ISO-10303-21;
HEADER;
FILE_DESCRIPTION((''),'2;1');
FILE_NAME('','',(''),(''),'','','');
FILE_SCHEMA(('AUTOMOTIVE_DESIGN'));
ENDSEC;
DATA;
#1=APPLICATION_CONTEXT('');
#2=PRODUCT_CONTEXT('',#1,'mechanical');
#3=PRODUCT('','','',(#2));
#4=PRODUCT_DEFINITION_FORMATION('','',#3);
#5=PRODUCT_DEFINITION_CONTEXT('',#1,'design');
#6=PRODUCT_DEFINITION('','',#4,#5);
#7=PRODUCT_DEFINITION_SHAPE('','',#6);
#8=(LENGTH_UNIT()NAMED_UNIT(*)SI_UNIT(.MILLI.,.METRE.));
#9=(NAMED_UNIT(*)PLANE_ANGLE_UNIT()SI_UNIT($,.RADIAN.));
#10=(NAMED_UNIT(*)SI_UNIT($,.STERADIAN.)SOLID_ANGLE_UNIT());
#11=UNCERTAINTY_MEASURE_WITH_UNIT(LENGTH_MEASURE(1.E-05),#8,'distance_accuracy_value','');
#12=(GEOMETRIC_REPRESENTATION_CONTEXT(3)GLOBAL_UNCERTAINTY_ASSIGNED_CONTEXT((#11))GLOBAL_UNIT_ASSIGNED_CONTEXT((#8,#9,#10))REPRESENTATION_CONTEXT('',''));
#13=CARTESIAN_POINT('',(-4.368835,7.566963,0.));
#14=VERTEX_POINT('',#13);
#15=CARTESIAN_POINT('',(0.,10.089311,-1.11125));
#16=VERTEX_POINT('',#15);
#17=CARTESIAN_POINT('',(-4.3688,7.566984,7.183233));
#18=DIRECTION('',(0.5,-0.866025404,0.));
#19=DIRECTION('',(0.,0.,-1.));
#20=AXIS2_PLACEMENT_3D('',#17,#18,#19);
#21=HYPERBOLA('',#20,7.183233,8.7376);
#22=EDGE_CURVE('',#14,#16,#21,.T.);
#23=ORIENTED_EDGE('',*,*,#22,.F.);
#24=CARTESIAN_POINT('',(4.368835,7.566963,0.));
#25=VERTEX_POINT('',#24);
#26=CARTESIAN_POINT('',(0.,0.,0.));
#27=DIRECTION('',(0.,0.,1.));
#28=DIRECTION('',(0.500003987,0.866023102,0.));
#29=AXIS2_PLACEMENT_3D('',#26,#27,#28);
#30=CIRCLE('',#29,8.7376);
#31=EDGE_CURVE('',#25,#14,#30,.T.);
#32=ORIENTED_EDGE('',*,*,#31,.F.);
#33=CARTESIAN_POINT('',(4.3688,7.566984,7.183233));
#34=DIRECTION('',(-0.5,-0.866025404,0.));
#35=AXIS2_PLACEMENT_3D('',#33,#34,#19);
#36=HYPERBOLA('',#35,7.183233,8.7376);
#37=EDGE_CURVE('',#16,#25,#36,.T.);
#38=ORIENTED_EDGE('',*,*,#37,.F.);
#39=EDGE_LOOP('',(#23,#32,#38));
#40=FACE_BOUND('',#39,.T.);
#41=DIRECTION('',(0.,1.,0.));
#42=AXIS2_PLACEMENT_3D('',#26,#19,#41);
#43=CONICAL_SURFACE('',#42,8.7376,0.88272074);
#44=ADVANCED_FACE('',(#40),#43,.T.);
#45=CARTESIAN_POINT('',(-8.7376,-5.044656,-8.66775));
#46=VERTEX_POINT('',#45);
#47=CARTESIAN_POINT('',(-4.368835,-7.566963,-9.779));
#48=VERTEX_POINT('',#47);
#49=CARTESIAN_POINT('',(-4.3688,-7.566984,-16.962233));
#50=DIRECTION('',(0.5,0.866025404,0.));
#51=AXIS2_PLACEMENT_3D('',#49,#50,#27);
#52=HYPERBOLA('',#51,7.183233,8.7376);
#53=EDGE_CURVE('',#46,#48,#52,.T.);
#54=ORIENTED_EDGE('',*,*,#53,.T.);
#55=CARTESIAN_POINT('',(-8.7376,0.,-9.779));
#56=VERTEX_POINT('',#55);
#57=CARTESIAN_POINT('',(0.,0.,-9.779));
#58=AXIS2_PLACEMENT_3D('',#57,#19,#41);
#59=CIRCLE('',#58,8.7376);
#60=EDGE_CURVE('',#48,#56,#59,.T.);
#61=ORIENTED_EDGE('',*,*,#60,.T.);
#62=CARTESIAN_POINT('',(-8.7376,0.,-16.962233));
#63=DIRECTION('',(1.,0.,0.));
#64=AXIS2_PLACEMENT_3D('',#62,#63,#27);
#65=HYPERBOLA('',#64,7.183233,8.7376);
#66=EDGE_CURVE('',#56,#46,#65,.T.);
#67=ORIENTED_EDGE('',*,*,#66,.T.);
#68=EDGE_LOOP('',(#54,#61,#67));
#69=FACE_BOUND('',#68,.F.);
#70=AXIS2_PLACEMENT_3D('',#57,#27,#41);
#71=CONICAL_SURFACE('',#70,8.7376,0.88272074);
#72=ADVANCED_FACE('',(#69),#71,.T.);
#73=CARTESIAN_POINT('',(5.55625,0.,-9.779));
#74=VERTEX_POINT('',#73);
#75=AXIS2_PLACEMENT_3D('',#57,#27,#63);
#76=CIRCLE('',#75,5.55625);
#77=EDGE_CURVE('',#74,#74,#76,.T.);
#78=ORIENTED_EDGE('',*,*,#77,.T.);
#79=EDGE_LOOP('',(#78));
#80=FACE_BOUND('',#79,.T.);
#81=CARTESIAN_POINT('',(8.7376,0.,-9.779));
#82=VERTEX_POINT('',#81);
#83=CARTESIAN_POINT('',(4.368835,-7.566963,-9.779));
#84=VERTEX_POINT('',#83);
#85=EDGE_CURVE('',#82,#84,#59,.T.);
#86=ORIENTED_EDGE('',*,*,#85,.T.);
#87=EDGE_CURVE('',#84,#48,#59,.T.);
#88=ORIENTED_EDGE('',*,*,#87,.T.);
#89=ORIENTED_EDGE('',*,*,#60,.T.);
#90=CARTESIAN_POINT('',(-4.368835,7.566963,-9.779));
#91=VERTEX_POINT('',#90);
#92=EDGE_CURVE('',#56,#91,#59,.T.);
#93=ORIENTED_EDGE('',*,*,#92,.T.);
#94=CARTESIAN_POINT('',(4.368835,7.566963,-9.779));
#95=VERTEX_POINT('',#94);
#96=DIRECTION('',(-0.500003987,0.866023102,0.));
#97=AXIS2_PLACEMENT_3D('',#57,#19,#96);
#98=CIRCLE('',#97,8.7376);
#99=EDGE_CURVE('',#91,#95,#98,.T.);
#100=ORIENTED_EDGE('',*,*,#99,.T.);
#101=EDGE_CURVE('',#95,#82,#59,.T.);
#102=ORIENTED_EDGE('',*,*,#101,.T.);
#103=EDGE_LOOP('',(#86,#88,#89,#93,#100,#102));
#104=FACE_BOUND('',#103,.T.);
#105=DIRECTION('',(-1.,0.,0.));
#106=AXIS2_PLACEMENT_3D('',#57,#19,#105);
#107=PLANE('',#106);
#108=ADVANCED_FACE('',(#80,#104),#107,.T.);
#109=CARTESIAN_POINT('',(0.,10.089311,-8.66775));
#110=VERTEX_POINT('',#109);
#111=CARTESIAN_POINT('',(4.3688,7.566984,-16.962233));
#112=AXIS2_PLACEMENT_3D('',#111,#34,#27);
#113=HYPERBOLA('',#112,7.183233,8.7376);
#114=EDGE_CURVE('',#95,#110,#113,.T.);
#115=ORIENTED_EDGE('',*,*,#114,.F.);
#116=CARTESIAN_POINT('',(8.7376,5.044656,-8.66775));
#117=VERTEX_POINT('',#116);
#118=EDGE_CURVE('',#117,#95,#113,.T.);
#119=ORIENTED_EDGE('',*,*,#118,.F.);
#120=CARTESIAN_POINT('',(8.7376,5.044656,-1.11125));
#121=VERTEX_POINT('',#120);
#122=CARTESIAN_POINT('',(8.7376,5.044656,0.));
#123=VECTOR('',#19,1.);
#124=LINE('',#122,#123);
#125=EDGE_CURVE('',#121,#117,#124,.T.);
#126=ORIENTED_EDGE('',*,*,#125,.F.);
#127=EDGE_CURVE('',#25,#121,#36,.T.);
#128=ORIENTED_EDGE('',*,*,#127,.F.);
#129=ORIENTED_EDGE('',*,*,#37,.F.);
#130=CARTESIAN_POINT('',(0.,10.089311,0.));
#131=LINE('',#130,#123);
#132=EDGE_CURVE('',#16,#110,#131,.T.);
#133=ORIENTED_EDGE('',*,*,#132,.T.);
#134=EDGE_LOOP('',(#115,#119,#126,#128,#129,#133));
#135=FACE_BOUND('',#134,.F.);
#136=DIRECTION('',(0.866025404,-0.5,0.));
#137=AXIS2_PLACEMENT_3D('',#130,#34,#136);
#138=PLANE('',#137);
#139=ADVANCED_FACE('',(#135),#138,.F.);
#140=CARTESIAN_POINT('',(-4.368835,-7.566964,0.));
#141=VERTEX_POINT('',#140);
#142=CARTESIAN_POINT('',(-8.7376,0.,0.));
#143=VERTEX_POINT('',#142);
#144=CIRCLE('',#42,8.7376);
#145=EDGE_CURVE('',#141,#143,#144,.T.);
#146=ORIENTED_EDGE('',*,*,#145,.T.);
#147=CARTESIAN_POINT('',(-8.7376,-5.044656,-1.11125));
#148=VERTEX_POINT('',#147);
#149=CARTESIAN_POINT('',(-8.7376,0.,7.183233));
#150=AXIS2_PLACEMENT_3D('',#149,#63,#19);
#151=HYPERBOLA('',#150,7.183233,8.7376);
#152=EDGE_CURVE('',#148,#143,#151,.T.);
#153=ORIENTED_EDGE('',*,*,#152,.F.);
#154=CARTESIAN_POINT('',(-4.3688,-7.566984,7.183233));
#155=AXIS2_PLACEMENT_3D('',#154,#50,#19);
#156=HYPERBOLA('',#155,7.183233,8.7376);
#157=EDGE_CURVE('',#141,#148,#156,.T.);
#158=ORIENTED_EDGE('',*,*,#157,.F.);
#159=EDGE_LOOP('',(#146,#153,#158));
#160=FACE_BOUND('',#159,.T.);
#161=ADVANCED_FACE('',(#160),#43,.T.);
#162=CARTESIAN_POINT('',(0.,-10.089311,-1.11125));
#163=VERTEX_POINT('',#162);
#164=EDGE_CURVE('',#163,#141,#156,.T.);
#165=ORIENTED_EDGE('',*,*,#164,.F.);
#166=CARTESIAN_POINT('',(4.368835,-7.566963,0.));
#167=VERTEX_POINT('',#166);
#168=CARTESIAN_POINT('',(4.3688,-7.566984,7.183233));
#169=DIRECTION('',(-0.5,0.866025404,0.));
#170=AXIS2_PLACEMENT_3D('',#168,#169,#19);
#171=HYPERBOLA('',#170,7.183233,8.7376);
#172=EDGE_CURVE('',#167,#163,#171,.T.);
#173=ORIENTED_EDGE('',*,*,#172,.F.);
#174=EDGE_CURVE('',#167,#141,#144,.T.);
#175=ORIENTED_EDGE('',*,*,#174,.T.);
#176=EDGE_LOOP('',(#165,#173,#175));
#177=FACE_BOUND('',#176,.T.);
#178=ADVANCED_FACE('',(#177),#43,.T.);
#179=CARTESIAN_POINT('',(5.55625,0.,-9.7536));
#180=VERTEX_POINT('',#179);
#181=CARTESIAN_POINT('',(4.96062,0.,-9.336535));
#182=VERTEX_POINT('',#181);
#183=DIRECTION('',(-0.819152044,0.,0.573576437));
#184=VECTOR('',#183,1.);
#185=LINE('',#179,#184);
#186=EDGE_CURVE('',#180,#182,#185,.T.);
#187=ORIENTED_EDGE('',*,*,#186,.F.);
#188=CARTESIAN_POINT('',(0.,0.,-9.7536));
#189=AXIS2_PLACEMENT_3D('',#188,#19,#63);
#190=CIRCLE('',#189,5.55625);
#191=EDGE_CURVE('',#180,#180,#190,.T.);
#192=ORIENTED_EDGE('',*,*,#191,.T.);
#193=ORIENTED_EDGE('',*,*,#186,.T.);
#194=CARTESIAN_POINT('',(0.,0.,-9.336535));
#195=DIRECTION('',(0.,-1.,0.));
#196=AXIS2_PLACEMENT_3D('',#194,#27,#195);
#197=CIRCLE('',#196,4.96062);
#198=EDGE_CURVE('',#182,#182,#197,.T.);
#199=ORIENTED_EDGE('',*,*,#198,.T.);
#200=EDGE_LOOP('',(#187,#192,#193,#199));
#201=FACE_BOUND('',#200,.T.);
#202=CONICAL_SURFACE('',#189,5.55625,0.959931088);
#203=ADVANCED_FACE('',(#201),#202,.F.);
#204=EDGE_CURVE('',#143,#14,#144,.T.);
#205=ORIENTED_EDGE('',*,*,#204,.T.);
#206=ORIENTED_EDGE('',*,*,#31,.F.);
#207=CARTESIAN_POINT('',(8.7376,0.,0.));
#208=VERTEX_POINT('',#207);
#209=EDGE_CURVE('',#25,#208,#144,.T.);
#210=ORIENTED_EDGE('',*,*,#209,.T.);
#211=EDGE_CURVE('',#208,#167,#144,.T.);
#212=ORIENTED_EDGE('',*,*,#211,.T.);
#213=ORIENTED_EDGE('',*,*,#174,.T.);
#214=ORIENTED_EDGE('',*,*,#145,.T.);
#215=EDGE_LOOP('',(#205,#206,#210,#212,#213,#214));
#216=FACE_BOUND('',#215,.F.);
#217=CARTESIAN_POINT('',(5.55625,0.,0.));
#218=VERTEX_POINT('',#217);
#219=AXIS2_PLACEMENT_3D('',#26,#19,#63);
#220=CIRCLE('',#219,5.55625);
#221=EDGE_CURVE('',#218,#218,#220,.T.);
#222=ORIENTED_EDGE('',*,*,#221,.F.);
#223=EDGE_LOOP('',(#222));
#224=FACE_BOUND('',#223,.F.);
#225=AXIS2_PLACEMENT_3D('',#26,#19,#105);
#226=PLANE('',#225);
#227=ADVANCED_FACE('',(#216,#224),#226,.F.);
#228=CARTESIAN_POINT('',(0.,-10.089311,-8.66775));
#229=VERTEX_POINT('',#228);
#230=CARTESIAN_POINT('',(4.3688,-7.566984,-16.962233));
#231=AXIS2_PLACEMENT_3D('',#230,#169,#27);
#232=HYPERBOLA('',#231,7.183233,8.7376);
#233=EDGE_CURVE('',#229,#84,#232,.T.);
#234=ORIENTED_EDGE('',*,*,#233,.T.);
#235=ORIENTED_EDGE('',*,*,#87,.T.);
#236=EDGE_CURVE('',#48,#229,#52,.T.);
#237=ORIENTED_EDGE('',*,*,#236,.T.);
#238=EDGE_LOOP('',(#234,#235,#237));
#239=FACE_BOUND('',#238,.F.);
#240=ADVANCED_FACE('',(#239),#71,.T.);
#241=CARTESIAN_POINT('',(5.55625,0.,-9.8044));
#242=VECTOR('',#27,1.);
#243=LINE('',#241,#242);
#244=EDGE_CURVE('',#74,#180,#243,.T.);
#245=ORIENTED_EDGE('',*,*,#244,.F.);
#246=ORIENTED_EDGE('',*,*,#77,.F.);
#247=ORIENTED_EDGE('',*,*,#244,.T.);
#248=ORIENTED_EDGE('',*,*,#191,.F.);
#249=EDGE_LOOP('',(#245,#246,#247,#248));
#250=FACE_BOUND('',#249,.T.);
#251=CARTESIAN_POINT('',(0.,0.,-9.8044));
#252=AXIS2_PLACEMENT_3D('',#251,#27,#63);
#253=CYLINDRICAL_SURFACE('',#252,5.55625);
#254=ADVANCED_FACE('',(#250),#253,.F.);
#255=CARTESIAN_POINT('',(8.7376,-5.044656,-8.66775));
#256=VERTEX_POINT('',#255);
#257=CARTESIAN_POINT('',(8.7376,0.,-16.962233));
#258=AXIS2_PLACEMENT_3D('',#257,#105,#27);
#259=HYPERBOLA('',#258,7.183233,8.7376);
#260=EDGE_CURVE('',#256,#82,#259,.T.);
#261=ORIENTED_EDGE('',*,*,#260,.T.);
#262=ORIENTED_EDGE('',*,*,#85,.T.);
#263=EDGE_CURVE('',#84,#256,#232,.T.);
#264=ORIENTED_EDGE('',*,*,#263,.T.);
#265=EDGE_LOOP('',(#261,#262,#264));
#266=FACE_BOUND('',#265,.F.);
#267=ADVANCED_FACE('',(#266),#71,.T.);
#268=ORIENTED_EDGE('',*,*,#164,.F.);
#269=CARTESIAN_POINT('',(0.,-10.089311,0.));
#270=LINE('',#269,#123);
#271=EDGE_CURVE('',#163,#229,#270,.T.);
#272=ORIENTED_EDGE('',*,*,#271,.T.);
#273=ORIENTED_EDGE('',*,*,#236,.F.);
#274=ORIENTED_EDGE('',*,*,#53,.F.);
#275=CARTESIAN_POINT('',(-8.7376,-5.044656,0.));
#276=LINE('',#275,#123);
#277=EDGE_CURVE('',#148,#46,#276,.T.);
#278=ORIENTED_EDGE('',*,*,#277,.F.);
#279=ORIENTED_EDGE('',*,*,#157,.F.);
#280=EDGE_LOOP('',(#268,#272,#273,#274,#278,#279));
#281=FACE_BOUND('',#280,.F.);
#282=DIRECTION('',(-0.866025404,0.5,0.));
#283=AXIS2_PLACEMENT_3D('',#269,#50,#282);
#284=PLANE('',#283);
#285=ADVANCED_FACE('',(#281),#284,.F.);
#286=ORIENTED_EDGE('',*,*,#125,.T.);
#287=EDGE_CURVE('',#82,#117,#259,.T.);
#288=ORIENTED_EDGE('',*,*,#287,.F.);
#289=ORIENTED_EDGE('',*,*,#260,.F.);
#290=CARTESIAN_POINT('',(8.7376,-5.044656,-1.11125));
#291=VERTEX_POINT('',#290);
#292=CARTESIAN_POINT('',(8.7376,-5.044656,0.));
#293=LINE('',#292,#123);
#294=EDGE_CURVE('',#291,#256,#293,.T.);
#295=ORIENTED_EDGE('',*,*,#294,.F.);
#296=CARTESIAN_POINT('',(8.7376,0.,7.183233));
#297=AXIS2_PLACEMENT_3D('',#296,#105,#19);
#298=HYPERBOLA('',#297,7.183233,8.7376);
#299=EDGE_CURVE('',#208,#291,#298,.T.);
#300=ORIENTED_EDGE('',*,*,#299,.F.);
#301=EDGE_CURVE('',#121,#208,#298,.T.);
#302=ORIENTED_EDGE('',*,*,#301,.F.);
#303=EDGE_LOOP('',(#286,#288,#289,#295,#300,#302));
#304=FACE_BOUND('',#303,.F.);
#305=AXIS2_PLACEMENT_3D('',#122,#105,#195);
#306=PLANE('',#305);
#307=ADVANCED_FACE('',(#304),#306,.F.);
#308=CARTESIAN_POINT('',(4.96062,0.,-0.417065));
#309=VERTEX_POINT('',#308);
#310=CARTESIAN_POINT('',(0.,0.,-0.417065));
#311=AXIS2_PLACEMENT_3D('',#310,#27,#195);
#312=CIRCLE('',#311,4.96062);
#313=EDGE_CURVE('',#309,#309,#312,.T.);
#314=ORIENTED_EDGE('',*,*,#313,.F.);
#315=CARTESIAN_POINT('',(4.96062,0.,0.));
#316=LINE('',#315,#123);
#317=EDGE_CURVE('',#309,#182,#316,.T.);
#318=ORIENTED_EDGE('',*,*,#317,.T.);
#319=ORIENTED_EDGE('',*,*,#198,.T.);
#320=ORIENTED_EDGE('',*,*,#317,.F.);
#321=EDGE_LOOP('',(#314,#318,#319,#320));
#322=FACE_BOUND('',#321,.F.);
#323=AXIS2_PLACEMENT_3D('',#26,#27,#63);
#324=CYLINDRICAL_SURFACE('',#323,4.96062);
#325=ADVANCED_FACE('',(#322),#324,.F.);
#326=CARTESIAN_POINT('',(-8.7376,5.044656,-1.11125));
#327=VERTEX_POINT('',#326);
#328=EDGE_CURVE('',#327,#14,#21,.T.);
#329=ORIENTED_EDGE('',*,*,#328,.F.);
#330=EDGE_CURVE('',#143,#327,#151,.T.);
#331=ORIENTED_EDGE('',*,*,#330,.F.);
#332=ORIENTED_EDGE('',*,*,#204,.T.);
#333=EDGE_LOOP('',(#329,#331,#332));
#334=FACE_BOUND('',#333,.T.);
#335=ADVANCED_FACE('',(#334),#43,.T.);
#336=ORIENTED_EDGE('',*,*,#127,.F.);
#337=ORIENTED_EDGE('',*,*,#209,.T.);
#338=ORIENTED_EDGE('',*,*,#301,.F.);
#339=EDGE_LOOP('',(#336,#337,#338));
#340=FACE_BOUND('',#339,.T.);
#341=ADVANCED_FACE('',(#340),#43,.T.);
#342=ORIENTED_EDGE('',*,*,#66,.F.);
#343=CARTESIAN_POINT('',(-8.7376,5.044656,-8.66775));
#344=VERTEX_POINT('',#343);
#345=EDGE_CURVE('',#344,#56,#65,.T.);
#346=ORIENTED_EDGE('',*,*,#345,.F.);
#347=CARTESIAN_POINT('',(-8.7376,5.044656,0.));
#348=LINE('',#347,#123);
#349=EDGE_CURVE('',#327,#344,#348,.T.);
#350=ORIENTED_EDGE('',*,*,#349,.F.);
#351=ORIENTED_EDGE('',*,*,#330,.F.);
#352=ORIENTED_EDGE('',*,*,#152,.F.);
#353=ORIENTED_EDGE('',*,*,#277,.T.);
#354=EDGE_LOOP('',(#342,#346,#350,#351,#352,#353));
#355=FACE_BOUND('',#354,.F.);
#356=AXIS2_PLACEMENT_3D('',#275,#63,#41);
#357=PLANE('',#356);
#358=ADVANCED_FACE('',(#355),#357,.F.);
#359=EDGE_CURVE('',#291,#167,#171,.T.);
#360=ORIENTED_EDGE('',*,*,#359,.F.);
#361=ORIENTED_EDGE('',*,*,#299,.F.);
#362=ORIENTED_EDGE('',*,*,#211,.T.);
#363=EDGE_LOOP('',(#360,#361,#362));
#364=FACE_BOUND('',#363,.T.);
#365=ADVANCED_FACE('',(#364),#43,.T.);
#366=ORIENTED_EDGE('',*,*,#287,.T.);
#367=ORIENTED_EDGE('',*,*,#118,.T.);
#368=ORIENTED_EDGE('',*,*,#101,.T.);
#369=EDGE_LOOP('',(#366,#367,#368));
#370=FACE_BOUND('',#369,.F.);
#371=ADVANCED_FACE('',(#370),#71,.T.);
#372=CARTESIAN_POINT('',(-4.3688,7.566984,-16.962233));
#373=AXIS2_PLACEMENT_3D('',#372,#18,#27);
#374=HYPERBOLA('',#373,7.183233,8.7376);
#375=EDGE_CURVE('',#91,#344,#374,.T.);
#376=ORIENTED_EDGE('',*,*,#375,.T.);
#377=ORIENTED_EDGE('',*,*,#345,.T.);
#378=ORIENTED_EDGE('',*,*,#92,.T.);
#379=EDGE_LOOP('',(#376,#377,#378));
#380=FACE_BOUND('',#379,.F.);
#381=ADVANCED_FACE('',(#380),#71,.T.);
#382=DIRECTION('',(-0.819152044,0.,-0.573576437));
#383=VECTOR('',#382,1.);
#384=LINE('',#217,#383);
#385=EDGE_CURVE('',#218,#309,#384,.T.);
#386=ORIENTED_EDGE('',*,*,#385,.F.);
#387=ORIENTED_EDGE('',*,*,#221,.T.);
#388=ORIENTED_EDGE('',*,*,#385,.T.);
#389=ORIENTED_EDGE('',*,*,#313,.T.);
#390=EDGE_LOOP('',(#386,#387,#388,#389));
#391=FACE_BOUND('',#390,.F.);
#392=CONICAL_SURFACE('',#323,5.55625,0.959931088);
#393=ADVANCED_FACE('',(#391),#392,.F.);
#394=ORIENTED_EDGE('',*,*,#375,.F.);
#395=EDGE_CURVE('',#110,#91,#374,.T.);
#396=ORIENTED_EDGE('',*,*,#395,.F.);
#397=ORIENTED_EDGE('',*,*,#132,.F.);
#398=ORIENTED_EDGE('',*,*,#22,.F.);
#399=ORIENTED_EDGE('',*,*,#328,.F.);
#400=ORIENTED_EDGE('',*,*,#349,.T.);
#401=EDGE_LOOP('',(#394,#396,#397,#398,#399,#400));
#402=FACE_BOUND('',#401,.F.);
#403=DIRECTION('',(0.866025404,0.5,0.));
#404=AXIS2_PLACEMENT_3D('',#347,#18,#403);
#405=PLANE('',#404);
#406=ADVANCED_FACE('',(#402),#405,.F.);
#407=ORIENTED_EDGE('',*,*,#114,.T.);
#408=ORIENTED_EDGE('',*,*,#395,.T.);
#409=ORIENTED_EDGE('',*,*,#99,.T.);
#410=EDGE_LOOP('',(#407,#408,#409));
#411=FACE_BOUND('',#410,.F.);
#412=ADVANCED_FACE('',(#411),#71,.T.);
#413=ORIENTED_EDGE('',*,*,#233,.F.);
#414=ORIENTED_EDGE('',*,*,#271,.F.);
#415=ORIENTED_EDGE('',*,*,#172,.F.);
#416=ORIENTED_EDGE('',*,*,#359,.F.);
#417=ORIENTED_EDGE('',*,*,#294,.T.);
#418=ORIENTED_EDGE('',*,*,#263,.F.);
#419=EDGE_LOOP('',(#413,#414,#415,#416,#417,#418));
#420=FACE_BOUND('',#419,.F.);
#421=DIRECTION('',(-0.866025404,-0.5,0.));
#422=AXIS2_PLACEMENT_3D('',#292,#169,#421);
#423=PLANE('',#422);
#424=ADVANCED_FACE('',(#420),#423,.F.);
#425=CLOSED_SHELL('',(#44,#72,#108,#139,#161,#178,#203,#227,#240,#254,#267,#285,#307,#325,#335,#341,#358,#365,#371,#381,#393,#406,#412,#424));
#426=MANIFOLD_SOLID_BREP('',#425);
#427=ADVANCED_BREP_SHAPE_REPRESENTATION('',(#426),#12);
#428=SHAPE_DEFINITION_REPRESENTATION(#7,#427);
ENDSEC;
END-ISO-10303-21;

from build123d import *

# Parameters (mm, degrees)
BASENUTSKE_R  = 4.96062
BASENUT_DEPTH = 9.779


with BuildPart() as part:
    # BaseNutSke → BaseNut (new body)
    with BuildSketch(Plane.XY):
        Polygon((8.7376, 5.044655712), (8.7376, -5.044655712), (0, -10.089311424), (-8.7376, -5.044655712), (-8.7376, 5.044655712), (0, 10.089311424), align=None)
        Circle(BASENUTSKE_R, mode=Mode.SUBTRACT)
    extrude(amount=-BASENUT_DEPTH)

    # Sketch3 → Double-Chamfer (revolve, cut)
    with BuildSketch(Plane(origin=(0, 0, 0), x_dir=(0, 0, -1), z_dir=(1, 0, 0))):
        Polygon((9.779, 8.7376), (8.66775, 10.089311424), (8.66775, 22.789311424), (22.479, 22.789311424), (22.479, 8.7376), align=None)
        Polygon((1.11125, 22.789311424), (-12.7, 22.789311424), (-12.7, 8.7376), (0, 8.7376), (1.11125, 10.089311424), align=None)
    revolve(axis=Axis((0, 0, 0), (0, 0, -1)), mode=Mode.SUBTRACT)

    # Sketch5 → EndChamfer (revolve, cut)
    with BuildSketch(Plane(origin=(0, 0, 0), x_dir=(0, 0, -1), z_dir=(1, 0, 0)), mode=Mode.PRIVATE) as endchamfer_sk:
        Polygon((9.7536, 5.55625), (9.294828922, 4.901057), (9.8044, 4.901057), (9.8044, 5.55625), align=None)
        Polygon((-0.0508, 5.55625), (0, 5.55625), (0.458771078, 4.901057), (-0.0508, 4.901057), align=None)
    revolve(endchamfer_sk.sketch.rotate(Axis((0, 0, -25.037505729), (0, 0, -1)), 90), axis=Axis((0, 0, -25.037505729), (0, 0, -1)), mode=Mode.SUBTRACT)


solid = part.part
